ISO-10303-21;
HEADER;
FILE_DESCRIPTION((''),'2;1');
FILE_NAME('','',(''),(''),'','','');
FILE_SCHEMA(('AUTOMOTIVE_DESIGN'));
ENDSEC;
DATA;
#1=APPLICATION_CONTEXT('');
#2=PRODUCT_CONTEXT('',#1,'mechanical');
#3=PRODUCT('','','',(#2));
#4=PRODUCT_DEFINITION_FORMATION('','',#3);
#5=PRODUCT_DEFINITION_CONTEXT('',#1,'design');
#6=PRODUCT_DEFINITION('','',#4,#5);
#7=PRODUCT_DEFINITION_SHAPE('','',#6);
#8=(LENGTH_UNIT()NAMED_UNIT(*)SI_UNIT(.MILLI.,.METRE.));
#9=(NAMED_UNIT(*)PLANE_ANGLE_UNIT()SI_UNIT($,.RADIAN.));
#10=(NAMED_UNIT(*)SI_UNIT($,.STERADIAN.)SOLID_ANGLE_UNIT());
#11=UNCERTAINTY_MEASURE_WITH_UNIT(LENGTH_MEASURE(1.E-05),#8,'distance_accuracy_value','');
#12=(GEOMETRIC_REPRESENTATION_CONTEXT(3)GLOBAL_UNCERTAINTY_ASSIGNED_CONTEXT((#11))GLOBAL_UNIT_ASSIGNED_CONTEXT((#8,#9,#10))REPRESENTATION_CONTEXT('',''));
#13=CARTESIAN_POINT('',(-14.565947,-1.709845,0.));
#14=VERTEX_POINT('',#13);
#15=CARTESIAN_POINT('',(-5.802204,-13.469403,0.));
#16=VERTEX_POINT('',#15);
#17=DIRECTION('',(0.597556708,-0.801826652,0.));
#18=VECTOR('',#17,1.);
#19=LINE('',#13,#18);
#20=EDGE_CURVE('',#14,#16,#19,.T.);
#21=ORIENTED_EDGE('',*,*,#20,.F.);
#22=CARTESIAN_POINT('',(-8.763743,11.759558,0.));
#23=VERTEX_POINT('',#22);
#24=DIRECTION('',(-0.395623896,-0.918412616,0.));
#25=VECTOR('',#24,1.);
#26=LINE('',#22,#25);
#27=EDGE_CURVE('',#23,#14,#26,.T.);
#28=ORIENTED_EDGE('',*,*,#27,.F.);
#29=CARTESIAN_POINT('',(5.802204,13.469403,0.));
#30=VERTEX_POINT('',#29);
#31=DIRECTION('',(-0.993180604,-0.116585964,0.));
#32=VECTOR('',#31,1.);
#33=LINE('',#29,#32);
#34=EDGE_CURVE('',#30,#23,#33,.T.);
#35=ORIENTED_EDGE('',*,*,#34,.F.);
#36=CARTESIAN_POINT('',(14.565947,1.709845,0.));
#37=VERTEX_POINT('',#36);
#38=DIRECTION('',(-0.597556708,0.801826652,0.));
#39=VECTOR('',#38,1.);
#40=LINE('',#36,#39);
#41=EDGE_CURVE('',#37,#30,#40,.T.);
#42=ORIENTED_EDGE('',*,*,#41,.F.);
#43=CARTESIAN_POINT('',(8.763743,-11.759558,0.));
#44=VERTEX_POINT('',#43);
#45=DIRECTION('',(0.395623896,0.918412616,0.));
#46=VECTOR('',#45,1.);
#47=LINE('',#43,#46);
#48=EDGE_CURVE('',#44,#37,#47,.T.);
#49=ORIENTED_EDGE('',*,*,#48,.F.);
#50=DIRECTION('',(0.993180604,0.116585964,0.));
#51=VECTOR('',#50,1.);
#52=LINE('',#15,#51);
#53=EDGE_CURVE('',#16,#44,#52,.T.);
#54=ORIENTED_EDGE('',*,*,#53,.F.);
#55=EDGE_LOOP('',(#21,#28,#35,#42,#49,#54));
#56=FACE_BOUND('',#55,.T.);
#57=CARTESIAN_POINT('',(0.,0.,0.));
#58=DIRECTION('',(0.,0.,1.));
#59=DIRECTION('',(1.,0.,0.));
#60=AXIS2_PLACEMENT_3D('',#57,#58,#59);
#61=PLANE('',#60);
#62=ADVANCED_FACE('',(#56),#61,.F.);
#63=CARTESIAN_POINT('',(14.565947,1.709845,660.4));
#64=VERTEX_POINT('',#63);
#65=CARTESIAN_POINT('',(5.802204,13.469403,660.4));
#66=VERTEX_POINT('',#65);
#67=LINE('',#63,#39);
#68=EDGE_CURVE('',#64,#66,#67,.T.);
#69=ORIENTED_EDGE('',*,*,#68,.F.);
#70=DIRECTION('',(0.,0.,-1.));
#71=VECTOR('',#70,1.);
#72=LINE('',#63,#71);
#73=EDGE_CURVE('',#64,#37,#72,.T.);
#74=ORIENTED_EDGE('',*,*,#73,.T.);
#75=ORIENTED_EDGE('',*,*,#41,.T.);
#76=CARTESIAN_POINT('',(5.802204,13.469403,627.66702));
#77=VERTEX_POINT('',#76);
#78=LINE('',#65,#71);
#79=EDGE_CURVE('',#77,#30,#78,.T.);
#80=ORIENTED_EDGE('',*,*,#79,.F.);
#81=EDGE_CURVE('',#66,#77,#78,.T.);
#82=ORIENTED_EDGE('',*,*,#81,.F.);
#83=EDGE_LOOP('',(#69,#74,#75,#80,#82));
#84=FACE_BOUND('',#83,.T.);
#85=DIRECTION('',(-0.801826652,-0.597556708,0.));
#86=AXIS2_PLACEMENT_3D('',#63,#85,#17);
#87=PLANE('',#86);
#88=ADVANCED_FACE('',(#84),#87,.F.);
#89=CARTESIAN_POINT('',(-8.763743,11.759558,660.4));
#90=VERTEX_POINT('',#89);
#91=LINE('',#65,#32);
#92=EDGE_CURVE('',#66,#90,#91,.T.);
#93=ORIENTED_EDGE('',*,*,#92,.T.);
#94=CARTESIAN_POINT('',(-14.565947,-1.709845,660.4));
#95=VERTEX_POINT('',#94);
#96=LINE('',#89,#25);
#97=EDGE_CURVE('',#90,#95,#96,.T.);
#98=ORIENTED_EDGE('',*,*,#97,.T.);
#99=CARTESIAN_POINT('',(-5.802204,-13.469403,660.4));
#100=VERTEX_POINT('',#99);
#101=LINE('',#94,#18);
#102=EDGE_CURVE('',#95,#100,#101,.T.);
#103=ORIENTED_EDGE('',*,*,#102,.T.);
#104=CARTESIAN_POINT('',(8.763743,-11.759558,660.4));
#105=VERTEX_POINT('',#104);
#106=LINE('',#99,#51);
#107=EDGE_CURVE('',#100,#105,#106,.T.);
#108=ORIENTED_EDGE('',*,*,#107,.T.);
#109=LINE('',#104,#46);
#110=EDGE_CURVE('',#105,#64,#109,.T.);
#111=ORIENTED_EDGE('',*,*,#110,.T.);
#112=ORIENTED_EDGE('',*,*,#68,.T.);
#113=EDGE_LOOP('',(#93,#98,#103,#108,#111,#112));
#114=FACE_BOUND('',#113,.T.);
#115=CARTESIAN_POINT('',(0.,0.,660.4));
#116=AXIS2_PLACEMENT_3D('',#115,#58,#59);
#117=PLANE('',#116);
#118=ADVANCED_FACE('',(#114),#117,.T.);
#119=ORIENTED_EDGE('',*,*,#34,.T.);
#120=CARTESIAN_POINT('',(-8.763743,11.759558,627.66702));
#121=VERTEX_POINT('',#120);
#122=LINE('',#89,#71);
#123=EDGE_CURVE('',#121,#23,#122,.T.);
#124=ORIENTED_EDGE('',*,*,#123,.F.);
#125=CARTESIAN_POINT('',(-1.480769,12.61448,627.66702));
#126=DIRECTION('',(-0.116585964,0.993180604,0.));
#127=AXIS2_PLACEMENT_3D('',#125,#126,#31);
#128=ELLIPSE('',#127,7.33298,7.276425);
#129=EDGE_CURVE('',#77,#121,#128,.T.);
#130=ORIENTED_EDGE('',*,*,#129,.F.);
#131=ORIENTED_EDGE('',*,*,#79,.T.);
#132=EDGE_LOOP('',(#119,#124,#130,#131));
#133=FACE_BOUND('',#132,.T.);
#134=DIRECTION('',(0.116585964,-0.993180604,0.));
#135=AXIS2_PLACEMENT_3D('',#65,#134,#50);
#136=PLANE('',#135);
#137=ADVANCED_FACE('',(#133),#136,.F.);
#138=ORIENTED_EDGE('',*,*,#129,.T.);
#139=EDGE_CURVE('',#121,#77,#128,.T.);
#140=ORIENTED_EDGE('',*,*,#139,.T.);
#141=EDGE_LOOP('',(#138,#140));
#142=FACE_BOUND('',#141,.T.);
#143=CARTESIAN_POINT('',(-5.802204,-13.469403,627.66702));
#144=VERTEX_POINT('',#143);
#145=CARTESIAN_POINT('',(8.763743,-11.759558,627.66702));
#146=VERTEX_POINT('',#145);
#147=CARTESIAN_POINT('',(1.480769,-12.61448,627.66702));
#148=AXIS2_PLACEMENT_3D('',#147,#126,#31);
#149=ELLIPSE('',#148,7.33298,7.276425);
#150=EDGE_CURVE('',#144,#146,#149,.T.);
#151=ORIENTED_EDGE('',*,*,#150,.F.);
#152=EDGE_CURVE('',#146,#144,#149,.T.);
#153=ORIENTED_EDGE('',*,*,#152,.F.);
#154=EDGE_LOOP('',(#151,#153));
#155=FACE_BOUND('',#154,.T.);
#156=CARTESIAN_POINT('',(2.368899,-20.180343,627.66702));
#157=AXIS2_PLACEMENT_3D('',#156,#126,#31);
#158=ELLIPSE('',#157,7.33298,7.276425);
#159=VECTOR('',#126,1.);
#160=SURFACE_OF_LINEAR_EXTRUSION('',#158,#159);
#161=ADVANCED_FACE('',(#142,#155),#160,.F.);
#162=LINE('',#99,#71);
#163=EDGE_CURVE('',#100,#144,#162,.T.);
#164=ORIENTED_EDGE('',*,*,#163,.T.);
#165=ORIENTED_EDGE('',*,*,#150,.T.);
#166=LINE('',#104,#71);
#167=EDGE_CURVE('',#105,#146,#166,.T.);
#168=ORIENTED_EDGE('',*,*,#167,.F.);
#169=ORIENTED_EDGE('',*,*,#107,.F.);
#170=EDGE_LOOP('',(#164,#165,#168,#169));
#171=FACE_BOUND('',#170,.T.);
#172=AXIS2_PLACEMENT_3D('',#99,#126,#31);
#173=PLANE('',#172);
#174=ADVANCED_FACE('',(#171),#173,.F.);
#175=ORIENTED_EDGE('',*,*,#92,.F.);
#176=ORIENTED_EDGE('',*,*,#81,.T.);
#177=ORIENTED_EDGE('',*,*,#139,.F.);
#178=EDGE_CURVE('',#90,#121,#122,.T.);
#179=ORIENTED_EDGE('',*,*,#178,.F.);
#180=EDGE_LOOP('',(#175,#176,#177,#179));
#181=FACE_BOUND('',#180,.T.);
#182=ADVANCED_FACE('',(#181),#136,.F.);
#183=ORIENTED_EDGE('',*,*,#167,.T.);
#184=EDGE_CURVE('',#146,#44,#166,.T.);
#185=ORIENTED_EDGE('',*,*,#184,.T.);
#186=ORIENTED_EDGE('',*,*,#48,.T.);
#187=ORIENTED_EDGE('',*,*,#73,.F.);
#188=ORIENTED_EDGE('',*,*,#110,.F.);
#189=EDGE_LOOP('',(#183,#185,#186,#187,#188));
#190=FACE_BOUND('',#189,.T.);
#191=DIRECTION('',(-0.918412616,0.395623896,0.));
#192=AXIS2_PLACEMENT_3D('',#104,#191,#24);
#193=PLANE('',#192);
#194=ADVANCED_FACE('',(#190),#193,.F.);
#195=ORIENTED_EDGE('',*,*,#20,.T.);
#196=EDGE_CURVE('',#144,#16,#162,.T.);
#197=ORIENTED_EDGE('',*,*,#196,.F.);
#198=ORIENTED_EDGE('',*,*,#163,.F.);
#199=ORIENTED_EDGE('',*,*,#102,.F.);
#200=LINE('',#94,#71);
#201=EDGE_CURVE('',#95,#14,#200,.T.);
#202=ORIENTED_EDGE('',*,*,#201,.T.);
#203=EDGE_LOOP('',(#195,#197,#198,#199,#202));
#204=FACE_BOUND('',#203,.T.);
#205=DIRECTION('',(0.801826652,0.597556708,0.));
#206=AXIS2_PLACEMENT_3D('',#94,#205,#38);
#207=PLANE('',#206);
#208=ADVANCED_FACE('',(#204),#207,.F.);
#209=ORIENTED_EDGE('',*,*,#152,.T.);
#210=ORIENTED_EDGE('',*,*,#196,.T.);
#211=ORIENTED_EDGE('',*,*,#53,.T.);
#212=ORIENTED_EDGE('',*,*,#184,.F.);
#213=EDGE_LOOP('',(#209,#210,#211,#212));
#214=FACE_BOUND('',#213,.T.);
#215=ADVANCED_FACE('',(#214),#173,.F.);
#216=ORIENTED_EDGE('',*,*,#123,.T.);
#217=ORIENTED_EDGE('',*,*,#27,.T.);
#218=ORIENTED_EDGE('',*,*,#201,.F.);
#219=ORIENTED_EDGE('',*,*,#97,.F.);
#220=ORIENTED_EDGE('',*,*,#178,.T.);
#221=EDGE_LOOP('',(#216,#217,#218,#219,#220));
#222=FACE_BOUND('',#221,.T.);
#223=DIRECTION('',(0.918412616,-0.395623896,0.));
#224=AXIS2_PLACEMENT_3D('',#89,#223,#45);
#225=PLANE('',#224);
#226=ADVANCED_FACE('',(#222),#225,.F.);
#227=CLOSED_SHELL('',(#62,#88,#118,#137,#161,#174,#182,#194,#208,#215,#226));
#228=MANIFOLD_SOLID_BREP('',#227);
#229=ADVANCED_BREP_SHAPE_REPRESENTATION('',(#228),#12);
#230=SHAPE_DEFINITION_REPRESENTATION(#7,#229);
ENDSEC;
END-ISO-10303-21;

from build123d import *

# Parameters (mm, degrees)
BOSS_EXTRUDE1_DEPTH = 660.4
SKETCH2_RX          = 7.33298
SKETCH2_RY          = 7.27642549
CUT_EXTRUDE1_DEPTH  = 33.02


with BuildPart() as part:
    # Sketch1 → Boss-Extrude1 (new body)
    with BuildSketch(Plane.XY):
        Polygon((5.802204234, 13.469402687), (-8.763742784, 11.759557608), (-14.565947018, -1.709845079), (-5.802204234, -13.469402687), (8.763742784, -11.759557608), (14.565947018, 1.709845079), align=None)
    extrude(amount=BOSS_EXTRUDE1_DEPTH)

    # Sketch2 → Cut-Extrude1 (cut)
    with BuildSketch(Plane(origin=(-1.480769275, 12.614480148, 0), x_dir=(0.9931806044692795, 0.11658596358926146, 0), z_dir=(-0.11658596358926147, 0.9931806044692796, 0))):
        with Locations(Location((0, -627.66702), (0, 0, 180))):
            Ellipse(SKETCH2_RX, SKETCH2_RY)
    extrude(amount=-CUT_EXTRUDE1_DEPTH, mode=Mode.SUBTRACT)


solid = part.part
